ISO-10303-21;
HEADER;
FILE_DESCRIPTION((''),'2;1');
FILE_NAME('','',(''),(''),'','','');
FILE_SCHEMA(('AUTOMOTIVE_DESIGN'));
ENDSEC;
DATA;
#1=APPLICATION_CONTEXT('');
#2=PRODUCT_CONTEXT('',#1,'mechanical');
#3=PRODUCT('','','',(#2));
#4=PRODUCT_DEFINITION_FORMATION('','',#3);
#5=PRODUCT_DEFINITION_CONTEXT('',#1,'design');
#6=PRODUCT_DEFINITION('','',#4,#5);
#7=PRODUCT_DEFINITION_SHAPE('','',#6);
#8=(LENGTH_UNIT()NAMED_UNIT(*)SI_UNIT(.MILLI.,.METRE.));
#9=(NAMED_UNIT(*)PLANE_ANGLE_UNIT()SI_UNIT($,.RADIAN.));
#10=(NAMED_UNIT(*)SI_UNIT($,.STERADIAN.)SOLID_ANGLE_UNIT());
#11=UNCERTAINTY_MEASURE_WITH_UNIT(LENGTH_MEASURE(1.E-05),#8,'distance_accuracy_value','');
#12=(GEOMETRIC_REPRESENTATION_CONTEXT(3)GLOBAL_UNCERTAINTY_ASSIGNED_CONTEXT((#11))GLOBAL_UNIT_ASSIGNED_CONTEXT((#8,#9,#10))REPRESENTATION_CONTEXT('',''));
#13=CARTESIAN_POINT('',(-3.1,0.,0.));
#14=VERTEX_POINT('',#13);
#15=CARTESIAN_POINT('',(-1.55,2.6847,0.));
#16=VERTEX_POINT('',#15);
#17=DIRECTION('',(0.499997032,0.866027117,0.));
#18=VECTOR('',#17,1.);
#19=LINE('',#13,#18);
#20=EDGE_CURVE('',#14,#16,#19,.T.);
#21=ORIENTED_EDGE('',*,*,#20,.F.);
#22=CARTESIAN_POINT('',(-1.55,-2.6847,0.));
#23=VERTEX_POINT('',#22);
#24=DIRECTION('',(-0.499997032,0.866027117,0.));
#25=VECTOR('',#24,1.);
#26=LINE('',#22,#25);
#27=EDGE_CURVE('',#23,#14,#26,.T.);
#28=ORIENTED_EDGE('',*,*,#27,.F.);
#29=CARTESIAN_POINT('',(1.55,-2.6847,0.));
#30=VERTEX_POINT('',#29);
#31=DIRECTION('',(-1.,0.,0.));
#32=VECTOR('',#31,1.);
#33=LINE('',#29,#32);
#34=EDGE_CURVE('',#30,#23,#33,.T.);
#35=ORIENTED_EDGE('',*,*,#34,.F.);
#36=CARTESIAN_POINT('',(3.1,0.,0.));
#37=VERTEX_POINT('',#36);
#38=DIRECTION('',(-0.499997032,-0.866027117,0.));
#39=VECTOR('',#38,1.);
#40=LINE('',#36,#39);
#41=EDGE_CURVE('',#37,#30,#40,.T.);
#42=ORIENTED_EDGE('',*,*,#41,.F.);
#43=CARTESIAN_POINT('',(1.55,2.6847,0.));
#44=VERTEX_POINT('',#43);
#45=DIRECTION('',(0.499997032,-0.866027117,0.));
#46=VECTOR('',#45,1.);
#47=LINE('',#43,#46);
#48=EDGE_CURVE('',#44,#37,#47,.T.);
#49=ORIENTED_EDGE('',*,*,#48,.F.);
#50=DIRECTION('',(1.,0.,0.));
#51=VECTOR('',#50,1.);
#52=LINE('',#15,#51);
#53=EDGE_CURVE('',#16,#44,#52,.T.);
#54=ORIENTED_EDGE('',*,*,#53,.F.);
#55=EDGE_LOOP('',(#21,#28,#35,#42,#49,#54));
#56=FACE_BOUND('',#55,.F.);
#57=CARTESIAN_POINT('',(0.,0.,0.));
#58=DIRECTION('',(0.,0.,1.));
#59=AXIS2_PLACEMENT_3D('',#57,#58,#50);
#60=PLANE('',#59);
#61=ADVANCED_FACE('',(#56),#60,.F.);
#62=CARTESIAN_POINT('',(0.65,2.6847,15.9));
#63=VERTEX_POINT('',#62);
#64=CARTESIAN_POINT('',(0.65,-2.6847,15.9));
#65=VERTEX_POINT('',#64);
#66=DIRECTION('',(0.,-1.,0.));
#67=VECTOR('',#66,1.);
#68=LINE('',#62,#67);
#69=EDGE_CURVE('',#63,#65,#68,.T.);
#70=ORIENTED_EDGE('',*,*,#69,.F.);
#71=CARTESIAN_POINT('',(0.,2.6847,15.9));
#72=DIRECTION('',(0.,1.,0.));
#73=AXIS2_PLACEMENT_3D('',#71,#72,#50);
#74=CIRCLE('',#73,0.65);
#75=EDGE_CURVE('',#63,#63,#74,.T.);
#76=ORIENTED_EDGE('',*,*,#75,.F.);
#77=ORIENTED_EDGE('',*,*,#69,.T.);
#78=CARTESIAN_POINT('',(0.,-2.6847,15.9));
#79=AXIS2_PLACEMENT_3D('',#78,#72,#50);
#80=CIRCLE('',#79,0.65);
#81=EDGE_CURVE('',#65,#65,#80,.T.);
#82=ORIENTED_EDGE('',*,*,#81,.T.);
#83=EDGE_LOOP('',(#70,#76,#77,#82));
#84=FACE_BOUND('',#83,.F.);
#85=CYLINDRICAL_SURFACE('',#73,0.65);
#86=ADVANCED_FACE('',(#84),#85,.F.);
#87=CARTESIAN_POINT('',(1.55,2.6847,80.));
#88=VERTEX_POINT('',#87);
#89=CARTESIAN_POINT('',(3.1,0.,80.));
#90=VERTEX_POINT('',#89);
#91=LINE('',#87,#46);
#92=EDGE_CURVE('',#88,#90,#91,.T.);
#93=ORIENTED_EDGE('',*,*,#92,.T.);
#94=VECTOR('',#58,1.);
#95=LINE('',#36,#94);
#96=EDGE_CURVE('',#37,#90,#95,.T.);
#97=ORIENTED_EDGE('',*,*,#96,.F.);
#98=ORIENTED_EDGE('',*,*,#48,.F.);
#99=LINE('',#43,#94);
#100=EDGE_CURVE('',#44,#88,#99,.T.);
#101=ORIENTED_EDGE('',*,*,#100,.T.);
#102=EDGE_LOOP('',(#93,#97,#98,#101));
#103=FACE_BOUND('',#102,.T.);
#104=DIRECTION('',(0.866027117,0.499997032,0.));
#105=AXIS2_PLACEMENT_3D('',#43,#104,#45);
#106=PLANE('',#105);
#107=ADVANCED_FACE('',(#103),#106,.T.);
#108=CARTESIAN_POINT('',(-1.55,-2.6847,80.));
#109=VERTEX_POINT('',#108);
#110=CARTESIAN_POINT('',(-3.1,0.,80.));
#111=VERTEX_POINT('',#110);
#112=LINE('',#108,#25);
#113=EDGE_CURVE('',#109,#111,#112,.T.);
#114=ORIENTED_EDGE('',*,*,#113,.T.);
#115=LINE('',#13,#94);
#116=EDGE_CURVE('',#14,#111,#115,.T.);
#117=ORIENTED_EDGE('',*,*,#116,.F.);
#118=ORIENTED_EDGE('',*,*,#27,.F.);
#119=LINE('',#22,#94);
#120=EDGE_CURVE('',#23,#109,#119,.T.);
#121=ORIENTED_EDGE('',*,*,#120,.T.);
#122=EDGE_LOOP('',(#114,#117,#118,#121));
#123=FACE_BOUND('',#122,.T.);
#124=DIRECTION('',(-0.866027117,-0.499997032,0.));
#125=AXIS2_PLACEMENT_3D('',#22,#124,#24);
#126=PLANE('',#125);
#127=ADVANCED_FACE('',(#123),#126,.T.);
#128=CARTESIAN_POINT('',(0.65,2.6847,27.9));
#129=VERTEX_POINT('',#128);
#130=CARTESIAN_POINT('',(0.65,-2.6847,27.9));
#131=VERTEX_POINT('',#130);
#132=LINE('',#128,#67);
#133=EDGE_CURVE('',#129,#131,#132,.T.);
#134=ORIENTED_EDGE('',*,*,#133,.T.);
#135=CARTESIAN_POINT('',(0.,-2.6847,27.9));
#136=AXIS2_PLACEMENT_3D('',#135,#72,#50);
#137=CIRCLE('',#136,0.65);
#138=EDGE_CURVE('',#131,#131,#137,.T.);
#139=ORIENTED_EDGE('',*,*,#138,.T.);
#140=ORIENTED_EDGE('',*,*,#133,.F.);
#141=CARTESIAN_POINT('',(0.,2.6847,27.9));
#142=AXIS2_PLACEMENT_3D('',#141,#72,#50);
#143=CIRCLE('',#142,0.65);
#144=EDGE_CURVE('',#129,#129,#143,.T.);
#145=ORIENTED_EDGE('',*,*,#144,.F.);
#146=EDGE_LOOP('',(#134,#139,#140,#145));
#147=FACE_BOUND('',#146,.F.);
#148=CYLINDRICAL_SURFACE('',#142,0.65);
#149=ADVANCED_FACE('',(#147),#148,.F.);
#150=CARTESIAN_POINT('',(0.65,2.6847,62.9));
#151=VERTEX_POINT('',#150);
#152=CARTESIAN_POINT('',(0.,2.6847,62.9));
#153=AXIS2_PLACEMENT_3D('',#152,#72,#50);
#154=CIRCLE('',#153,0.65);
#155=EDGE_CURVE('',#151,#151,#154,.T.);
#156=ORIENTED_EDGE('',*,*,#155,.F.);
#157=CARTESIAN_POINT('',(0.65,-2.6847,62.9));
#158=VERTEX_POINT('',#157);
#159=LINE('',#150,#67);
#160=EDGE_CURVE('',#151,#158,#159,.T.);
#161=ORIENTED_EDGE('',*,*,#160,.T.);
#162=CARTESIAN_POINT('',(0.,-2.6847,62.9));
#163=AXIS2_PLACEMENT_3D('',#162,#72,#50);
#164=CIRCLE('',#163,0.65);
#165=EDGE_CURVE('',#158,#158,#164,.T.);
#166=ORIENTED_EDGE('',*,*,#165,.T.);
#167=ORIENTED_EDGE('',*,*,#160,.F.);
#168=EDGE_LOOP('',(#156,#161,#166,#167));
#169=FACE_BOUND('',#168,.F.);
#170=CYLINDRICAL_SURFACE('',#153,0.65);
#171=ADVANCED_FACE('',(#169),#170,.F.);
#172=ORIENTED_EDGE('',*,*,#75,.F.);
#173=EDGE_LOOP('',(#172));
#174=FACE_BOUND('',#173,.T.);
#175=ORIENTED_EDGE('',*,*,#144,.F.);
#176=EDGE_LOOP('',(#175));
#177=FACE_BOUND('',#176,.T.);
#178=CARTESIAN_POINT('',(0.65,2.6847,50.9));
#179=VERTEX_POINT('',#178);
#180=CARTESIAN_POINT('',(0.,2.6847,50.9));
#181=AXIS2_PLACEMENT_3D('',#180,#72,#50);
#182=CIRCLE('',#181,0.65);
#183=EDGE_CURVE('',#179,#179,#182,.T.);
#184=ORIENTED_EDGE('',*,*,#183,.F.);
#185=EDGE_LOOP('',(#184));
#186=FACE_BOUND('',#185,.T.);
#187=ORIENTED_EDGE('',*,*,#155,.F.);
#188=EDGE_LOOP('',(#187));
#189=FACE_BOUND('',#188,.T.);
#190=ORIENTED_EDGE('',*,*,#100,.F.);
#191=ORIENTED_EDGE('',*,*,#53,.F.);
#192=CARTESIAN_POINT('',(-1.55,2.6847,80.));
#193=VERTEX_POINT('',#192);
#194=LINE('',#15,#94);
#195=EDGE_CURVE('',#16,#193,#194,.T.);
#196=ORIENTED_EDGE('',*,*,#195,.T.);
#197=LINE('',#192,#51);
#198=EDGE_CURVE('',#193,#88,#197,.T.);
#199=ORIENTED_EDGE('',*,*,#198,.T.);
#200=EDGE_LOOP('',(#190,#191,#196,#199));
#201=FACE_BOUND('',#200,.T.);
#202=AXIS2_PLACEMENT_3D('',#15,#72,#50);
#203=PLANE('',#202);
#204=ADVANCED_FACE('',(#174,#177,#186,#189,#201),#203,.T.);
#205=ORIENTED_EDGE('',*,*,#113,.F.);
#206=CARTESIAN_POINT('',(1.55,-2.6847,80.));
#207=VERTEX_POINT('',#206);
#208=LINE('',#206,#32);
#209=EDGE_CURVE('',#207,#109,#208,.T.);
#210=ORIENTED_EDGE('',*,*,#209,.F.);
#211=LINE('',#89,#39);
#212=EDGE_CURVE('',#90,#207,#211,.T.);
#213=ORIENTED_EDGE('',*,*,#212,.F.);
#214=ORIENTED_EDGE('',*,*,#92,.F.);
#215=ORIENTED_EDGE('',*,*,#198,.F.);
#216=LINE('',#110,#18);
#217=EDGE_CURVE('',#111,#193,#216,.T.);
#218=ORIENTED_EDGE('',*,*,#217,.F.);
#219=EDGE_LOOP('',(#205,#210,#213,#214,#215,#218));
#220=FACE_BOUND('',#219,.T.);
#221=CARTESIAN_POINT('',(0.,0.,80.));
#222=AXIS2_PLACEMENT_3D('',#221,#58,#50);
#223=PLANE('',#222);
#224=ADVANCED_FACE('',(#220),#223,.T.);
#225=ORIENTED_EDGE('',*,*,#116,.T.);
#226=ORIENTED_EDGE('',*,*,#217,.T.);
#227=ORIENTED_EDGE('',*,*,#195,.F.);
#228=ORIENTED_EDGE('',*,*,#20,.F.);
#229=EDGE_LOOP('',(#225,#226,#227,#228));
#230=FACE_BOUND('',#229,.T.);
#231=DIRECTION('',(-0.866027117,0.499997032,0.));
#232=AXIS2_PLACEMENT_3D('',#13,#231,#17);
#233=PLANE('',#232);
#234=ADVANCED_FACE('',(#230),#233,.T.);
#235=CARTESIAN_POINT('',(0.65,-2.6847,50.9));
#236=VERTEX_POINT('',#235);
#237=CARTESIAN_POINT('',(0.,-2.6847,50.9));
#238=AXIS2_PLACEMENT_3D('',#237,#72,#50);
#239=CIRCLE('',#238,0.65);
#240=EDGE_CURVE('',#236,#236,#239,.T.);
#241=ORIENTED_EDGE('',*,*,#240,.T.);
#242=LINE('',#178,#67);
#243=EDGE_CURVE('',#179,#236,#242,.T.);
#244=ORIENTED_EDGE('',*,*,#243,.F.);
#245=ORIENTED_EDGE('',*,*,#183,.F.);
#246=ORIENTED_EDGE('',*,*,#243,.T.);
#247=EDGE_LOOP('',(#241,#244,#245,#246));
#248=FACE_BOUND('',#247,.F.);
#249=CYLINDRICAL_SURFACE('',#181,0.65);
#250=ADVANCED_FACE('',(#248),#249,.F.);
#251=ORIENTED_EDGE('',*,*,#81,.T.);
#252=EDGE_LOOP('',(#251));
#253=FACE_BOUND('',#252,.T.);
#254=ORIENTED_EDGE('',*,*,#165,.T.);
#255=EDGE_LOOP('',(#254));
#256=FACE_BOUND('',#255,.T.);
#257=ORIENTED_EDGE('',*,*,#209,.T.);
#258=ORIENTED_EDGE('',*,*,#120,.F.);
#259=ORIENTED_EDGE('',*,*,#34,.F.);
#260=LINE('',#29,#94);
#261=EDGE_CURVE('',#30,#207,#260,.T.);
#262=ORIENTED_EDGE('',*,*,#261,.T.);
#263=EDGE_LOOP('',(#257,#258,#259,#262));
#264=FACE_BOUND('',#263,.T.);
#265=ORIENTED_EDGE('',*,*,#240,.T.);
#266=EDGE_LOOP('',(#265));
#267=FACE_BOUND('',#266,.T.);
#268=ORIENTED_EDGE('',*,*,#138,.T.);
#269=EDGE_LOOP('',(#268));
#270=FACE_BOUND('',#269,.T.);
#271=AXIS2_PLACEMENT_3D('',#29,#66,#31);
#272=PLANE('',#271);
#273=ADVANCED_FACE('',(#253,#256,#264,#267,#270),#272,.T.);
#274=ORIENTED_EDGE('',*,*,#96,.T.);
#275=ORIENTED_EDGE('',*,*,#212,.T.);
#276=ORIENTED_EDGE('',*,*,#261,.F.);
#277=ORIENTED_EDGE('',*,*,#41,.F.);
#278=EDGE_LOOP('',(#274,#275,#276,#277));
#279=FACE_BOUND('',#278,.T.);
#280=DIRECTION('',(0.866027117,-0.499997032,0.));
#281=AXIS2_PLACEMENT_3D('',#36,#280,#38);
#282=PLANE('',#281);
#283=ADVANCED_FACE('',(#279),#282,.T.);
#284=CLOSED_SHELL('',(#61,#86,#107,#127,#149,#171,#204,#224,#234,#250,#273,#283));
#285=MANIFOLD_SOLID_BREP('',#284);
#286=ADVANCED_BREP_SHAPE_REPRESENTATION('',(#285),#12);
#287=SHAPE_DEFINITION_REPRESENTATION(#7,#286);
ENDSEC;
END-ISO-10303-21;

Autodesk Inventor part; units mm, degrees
ref_plane "YZ Plane" through (0, 0, 0) normal (1, 0, 0) x (0, 1, 0)
ref_plane "XZ Plane" through (0, 0, 0) normal (0, 1, 0) x (-1, 0, 0)
ref_plane "XY Plane" through (0, 0, 0) normal (0, 0, 1) x (1, 0, 0)
sketch "Sketch4" plane through (0, 0, 0) normal (0, 0, 1) x (1, 0, 0)
  line L0 (0, 0) -> (3.1, 0) construction
  circle A0 centre (0, 0) radius 3.1 construction
  line L1 (0, 0) -> (1.55, 2.6847) construction
  line L2 (0, 0) -> (-1.55, 2.6847) construction
  line L3 (0, 0) -> (-3.1, 0) construction
  line L4 (0, 0) -> (-1.55, -2.6847) construction
  line L5 (0, 0) -> (1.55, -2.6847) construction
  line L6 (-1.55, 2.6847) -> (1.55, 2.6847)
  line L7 (1.55, 2.6847) -> (3.1, 0)
  line L8 (3.1, 0) -> (1.55, -2.6847)
  line L9 (1.55, -2.6847) -> (-1.55, -2.6847)
  line L10 (-1.55, -2.6847) -> (-3.1, 0)
  line L11 (-3.1, 0) -> (-1.55, 2.6847)
  dimension "d15" = 3.1
  dimension "d18" = 360
extrude "Extrusion5" add sketch "Sketch4" along normal blind 80
sketch "Sketch5" plane through (-1.55, 2.6847, 0) normal (0, 1, 0) x (1, 0, 0)
  line L0 (3.1, -80) -> (0, -80) construction
  line L1 (3.1, 0) -> (0, 0) construction
  line L2 (0, -80) -> (3.1, -80) projected
  line L3 (1.55, -80) -> (1.55, 0) construction
  circle A0 centre (1.55, -15.9) radius 0.65
  circle A1 centre (1.55, -27.9) radius 0.65
  circle A2 centre (1.55, -50.9) radius 0.65
  circle A3 centre (1.55, -62.9) radius 0.65
  dimension "d22" = 1.3
  dimension "d23" = 64.1
  dimension "d24" = 52.1
  dimension "d25" = 29.1
  dimension "d26" = 17.1
extrude "Extrusion6" cut sketch "Sketch5" against normal blind 6
properties part number "Eje1"
